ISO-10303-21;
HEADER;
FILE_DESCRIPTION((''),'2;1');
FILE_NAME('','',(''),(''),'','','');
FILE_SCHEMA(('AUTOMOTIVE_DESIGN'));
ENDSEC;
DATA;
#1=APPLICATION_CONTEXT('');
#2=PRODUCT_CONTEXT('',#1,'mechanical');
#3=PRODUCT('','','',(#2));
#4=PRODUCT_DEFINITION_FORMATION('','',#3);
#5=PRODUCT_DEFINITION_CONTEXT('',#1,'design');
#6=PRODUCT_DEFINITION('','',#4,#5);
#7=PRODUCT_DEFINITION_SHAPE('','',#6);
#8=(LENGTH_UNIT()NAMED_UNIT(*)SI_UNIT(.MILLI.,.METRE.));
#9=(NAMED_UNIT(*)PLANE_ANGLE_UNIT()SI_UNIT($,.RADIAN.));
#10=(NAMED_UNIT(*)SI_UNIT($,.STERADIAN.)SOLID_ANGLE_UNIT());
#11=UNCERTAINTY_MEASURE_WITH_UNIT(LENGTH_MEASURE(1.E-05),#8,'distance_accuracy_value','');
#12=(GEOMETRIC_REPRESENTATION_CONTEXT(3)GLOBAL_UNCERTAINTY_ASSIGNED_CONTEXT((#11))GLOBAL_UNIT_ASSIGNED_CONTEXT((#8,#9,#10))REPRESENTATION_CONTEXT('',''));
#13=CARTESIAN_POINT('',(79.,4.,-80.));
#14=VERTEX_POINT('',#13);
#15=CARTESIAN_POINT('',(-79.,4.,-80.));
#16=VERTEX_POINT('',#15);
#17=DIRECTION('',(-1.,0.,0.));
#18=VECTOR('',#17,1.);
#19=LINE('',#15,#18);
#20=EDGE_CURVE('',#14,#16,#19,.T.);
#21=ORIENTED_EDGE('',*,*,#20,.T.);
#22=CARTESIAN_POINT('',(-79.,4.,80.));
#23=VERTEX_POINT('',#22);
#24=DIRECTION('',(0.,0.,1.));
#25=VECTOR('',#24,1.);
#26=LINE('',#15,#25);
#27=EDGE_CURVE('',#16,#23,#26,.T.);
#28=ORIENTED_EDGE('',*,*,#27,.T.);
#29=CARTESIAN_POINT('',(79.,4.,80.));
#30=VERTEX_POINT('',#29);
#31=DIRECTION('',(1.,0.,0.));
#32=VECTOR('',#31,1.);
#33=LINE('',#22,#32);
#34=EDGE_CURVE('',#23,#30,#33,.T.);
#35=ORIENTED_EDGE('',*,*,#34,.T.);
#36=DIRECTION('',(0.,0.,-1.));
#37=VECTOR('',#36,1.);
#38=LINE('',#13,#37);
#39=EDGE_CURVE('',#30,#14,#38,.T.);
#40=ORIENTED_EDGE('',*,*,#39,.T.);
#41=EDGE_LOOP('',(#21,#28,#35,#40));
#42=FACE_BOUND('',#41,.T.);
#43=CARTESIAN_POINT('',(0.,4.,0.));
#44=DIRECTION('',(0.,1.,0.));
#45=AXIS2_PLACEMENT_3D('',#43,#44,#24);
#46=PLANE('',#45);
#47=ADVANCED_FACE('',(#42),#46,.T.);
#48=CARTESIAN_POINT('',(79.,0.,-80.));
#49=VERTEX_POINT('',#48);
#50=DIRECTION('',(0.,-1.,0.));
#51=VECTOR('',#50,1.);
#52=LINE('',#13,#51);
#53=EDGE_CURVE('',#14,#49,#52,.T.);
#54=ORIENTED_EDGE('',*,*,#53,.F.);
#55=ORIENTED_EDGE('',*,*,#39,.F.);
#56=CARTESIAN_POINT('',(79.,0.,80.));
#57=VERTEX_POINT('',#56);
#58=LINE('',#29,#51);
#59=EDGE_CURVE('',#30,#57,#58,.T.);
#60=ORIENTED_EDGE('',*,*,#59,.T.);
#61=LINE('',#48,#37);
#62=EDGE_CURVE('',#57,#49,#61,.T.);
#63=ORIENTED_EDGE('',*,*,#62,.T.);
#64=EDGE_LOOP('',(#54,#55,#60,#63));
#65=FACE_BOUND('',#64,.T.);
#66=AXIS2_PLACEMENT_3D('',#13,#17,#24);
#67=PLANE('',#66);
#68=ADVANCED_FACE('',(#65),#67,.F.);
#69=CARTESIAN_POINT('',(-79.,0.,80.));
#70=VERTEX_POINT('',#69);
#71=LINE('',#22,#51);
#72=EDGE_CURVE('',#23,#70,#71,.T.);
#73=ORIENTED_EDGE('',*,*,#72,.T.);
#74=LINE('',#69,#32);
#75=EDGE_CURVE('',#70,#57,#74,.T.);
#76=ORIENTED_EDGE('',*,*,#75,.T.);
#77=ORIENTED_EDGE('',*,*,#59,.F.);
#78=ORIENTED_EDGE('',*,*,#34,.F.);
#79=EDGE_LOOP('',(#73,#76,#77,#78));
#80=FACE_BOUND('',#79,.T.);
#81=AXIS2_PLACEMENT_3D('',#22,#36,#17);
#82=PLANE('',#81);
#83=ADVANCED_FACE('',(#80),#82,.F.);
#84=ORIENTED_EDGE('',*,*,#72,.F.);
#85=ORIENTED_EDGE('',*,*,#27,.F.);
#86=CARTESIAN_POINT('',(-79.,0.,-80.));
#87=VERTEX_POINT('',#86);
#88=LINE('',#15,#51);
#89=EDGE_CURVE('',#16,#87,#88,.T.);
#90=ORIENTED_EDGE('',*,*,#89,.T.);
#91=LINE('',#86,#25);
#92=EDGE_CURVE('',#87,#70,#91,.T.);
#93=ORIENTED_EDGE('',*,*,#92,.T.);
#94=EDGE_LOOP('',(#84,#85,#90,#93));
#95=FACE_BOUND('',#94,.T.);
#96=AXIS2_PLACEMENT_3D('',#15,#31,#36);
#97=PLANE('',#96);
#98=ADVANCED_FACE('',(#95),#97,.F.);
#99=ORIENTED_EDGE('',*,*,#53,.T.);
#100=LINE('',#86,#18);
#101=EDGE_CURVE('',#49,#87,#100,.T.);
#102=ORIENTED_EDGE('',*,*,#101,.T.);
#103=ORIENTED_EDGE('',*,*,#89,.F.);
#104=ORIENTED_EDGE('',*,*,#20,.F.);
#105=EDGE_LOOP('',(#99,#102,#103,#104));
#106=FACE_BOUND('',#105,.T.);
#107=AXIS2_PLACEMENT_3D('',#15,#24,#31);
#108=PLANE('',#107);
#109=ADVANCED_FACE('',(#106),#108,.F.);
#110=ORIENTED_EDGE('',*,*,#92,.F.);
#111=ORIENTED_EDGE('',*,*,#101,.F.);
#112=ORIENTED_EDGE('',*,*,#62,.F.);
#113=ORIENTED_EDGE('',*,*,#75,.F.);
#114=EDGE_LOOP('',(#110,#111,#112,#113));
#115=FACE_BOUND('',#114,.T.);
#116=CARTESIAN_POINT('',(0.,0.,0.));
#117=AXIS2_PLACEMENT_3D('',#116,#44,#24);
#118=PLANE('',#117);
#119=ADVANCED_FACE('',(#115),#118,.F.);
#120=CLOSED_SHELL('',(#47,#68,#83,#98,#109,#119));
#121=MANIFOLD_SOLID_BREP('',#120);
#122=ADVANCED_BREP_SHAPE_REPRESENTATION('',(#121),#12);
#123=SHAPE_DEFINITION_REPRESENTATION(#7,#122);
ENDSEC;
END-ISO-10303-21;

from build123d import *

# Parameters (mm, degrees)
SKETCH_1_W      = 158
SKETCH_1_H      = 160
EXTRUDE_1_DEPTH = 4


with BuildPart() as part:
    # 草图1 → 凸台-拉伸1 (new body)
    with BuildSketch(Plane(origin=(0, 0, 0), x_dir=(1, 0, 0), z_dir=(0, 1, 0))):
        Rectangle(SKETCH_1_W, SKETCH_1_H)
    extrude(amount=EXTRUDE_1_DEPTH)


solid = part.part
